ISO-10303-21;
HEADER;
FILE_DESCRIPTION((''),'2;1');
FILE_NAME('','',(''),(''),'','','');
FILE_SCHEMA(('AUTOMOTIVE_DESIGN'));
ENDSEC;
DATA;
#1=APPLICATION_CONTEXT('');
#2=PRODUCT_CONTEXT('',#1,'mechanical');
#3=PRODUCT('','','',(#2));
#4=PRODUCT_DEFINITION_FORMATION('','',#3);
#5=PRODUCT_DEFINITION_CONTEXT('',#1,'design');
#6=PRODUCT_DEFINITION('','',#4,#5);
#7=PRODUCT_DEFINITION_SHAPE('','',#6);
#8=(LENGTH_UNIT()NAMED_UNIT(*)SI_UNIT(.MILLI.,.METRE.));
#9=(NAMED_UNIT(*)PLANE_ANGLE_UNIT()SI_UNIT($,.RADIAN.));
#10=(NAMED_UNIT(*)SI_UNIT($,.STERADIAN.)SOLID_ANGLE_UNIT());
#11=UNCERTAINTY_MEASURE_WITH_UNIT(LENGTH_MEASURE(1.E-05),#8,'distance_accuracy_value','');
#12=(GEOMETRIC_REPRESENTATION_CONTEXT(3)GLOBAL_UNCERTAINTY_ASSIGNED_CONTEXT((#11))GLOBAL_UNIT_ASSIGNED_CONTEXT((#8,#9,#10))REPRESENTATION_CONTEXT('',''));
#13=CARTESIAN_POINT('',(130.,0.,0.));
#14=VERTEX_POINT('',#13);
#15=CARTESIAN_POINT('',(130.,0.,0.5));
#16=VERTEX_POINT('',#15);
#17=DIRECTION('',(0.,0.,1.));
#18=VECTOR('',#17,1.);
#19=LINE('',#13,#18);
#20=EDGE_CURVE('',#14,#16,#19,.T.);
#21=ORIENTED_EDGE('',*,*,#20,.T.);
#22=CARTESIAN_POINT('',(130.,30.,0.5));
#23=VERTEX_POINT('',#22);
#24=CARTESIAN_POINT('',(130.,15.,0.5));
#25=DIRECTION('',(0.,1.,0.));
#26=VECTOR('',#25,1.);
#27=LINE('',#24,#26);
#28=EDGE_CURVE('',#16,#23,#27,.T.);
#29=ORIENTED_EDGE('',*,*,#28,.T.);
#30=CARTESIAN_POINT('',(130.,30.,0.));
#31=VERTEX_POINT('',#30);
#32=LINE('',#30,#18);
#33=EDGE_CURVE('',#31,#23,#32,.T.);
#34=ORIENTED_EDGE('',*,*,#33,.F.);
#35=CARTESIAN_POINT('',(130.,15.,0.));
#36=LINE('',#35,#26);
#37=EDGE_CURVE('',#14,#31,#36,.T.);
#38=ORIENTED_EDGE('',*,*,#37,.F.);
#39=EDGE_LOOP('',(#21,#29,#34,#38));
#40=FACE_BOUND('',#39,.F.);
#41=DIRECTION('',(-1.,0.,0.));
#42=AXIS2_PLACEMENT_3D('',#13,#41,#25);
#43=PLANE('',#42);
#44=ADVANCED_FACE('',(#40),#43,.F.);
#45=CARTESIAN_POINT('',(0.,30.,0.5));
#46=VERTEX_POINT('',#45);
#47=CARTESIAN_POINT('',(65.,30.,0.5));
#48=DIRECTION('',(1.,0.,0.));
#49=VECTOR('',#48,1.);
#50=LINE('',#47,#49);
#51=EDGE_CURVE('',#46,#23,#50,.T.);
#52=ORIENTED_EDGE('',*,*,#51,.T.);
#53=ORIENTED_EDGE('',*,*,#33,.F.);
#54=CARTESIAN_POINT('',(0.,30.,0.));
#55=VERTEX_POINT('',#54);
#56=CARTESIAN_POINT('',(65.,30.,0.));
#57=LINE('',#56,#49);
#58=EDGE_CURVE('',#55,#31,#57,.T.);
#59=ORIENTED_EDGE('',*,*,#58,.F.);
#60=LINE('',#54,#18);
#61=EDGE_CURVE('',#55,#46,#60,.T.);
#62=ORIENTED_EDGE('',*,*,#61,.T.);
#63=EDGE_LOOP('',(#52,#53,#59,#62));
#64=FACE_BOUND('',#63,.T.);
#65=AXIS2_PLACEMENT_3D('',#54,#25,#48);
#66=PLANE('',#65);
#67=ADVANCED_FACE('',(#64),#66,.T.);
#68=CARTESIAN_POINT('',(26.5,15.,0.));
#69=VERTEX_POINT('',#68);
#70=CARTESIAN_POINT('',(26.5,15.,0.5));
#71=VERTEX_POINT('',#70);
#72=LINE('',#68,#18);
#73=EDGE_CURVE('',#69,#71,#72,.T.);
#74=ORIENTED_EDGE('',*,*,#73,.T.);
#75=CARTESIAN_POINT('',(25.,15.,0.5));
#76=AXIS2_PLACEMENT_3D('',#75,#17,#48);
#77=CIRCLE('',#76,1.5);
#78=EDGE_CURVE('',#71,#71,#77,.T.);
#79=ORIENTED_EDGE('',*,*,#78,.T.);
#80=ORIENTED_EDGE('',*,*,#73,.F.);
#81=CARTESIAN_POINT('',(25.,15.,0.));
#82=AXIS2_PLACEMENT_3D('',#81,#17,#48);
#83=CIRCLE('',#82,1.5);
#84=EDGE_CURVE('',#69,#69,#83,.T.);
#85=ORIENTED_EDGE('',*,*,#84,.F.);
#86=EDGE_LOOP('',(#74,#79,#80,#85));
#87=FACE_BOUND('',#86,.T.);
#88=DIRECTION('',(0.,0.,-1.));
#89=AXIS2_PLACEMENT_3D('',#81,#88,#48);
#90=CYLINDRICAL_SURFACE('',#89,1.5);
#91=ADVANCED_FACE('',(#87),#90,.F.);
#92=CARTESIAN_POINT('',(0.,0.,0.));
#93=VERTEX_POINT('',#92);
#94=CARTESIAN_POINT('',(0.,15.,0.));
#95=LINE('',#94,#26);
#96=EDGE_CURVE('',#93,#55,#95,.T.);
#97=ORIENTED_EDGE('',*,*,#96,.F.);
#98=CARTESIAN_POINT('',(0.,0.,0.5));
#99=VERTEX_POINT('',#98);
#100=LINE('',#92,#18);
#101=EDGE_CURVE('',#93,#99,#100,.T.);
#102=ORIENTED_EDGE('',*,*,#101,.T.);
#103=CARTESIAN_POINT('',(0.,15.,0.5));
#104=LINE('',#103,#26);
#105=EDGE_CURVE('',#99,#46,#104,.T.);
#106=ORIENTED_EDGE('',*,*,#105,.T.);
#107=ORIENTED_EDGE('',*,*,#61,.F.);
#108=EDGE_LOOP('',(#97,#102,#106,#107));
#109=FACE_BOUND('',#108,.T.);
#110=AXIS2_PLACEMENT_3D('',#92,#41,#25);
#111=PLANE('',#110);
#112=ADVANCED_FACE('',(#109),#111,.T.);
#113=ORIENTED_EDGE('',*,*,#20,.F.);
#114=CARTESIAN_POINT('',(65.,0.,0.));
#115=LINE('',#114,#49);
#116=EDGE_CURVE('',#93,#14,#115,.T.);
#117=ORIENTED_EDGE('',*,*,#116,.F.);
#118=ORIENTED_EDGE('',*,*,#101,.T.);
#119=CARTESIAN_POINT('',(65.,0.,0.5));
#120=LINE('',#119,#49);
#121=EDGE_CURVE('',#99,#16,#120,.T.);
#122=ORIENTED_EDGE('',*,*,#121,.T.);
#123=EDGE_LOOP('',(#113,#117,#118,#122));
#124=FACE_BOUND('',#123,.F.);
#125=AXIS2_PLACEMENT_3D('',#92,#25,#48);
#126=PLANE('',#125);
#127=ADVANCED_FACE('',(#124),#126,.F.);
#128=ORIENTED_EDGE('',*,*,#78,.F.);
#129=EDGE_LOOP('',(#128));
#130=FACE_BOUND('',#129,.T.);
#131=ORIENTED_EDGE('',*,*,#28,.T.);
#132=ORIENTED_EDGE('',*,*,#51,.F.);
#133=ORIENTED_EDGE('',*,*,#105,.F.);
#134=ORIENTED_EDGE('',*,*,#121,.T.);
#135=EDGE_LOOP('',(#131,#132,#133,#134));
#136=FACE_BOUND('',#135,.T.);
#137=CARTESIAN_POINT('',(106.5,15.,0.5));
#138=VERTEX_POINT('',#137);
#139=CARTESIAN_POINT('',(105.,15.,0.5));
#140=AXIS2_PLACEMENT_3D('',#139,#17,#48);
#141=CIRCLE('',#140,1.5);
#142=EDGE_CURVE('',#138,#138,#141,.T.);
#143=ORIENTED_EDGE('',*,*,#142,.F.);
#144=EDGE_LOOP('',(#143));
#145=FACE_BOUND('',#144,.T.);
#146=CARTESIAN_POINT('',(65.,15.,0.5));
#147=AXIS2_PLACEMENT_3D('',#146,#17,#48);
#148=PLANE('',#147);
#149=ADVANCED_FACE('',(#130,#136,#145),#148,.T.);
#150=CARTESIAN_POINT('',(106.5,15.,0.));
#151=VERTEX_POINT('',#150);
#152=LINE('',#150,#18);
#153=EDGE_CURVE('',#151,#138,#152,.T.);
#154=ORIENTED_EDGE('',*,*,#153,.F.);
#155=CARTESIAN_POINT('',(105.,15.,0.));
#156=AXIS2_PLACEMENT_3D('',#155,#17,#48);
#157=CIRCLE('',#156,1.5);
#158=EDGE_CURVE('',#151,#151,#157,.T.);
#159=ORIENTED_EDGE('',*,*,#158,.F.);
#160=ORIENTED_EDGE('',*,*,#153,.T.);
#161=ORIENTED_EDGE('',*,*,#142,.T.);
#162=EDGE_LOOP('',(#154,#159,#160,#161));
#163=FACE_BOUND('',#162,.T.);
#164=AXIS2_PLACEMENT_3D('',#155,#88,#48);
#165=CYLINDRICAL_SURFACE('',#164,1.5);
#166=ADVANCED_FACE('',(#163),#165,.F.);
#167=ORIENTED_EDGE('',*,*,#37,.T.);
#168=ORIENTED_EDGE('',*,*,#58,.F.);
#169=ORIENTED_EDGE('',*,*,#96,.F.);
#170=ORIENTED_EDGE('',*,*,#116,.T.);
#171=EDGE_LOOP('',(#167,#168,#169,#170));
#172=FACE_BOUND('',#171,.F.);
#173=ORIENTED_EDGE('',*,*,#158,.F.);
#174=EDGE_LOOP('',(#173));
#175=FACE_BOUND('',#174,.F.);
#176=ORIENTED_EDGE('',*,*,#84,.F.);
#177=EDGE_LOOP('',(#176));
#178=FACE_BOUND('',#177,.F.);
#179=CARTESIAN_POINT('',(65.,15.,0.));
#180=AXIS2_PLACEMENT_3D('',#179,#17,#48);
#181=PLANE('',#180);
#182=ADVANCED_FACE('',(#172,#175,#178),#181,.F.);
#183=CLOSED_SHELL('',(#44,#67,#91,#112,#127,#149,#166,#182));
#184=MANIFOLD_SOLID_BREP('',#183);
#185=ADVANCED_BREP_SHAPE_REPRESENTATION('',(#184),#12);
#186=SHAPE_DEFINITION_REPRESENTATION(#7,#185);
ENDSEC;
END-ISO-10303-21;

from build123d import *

# Parameters (mm, degrees)
SKETCH_W  = 130
SKETCH_H  = 30
SKETCH_R  = 1.5
PAD_DEPTH = 0.5


with BuildPart() as part:
    # Sketch → Pad (new body)
    with BuildSketch(Plane.XY):
        with Locations((65, 15)):
            Rectangle(SKETCH_W, SKETCH_H)
        with Locations((25, 15)):
            Circle(SKETCH_R, mode=Mode.SUBTRACT)
        with Locations((105, 15)):
            Circle(SKETCH_R, mode=Mode.SUBTRACT)
    extrude(amount=PAD_DEPTH)


solid = part.part
